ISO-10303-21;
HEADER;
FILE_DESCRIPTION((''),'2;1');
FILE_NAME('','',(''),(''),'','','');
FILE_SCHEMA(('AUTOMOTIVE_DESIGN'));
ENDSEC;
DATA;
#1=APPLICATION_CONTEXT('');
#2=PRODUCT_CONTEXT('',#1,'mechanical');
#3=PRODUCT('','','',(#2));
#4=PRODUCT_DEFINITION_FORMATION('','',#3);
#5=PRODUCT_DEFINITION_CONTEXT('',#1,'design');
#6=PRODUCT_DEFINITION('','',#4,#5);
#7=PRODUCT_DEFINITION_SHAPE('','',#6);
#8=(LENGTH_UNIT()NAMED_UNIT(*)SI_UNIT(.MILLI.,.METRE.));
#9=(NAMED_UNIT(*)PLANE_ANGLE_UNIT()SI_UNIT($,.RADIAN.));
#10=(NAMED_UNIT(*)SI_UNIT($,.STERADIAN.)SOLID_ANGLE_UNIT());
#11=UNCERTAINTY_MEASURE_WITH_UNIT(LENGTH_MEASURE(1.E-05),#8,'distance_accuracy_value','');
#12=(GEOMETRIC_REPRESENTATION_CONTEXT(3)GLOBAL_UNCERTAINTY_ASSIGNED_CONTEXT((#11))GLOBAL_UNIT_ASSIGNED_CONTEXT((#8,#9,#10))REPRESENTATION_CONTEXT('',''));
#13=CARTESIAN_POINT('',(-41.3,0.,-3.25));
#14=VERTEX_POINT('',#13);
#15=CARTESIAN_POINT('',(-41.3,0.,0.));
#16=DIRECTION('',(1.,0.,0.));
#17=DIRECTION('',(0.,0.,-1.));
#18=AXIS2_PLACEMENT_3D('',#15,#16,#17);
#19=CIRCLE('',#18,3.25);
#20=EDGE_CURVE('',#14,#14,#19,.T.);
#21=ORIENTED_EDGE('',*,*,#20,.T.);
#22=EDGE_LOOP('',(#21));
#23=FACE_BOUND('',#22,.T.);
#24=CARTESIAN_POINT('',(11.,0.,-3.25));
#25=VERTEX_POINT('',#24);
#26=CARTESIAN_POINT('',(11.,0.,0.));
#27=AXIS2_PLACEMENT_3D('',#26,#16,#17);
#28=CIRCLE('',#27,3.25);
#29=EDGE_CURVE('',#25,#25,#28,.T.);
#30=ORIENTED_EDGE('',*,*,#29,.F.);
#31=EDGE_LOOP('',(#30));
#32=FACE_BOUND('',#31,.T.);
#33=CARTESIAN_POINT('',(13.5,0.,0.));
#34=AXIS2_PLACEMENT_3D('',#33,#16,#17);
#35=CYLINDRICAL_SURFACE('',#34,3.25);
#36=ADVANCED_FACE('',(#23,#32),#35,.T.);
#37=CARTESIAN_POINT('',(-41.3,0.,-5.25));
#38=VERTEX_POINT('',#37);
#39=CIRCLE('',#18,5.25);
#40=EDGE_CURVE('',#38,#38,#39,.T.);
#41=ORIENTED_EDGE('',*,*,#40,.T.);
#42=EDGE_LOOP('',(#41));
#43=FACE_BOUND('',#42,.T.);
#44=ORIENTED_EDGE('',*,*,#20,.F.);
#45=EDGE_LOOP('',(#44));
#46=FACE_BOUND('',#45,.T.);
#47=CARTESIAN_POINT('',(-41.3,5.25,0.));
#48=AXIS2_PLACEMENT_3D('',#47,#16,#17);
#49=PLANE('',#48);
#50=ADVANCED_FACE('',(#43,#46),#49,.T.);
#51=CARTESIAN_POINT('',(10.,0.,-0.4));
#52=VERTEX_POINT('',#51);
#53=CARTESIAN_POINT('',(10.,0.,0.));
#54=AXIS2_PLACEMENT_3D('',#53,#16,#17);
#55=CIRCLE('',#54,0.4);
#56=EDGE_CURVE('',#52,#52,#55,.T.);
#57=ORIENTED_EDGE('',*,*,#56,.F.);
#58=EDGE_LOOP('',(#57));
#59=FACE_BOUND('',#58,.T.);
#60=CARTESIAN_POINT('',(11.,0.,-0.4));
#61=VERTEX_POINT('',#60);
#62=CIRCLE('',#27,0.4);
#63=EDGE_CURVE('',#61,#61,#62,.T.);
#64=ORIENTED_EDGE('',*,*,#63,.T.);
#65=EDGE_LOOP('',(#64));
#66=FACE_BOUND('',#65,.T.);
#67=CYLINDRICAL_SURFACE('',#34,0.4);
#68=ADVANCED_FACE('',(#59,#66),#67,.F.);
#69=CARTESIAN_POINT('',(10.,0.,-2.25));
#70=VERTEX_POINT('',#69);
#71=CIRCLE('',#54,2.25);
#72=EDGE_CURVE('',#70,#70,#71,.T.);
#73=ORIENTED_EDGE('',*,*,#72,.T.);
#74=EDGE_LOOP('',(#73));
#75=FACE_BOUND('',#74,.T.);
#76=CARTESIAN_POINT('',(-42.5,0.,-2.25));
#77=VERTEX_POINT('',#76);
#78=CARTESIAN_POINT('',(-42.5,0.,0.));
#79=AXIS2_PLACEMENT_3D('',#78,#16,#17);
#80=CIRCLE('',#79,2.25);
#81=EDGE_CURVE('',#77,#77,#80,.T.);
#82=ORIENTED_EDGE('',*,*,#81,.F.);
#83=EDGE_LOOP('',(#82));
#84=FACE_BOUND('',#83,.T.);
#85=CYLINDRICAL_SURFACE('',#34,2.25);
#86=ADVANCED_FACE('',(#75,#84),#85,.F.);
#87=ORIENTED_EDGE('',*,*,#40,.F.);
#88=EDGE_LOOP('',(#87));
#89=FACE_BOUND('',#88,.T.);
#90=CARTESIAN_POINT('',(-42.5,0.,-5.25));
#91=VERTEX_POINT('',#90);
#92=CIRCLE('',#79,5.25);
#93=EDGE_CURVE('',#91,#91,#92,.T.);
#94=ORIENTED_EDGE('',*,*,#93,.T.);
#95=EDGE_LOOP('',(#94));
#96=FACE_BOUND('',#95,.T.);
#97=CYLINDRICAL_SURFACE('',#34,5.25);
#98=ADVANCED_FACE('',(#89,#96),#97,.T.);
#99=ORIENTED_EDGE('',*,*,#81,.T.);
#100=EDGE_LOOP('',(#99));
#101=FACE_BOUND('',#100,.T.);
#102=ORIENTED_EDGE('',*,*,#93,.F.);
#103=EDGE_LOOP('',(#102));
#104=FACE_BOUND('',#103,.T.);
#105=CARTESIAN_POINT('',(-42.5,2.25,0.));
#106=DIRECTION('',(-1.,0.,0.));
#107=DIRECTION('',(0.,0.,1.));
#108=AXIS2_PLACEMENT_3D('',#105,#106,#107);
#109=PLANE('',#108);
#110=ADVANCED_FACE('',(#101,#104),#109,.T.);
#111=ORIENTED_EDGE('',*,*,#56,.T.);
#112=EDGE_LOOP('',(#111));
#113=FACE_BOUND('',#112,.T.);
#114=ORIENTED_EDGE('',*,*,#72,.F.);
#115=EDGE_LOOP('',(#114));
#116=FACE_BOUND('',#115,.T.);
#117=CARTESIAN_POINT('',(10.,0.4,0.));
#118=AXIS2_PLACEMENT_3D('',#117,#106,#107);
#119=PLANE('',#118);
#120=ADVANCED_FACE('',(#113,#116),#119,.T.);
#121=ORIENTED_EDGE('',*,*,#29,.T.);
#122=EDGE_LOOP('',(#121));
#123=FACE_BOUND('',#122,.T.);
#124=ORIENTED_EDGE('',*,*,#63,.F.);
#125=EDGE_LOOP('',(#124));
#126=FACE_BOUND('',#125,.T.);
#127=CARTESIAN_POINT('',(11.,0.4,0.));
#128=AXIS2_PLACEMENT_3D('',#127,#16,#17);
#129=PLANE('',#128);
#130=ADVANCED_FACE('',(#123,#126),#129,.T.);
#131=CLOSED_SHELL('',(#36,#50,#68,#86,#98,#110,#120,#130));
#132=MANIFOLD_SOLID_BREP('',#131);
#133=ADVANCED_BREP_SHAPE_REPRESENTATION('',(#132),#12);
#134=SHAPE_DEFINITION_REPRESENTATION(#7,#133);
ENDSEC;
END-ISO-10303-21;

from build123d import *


with BuildPart() as part:
    # Sketch1 → Revolve1 (revolve)
    with BuildSketch(Plane.XY):
        Polygon((11, 0.4), (11, 3.25), (-41.3, 3.25), (-41.3, 5.25), (-42.5, 5.25), (-42.5, 2.25), (10, 2.25), (10, 0.4), align=None)
    revolve(axis=Axis((13.5, 0, 0), (-1, 0, 0)))


solid = part.part
